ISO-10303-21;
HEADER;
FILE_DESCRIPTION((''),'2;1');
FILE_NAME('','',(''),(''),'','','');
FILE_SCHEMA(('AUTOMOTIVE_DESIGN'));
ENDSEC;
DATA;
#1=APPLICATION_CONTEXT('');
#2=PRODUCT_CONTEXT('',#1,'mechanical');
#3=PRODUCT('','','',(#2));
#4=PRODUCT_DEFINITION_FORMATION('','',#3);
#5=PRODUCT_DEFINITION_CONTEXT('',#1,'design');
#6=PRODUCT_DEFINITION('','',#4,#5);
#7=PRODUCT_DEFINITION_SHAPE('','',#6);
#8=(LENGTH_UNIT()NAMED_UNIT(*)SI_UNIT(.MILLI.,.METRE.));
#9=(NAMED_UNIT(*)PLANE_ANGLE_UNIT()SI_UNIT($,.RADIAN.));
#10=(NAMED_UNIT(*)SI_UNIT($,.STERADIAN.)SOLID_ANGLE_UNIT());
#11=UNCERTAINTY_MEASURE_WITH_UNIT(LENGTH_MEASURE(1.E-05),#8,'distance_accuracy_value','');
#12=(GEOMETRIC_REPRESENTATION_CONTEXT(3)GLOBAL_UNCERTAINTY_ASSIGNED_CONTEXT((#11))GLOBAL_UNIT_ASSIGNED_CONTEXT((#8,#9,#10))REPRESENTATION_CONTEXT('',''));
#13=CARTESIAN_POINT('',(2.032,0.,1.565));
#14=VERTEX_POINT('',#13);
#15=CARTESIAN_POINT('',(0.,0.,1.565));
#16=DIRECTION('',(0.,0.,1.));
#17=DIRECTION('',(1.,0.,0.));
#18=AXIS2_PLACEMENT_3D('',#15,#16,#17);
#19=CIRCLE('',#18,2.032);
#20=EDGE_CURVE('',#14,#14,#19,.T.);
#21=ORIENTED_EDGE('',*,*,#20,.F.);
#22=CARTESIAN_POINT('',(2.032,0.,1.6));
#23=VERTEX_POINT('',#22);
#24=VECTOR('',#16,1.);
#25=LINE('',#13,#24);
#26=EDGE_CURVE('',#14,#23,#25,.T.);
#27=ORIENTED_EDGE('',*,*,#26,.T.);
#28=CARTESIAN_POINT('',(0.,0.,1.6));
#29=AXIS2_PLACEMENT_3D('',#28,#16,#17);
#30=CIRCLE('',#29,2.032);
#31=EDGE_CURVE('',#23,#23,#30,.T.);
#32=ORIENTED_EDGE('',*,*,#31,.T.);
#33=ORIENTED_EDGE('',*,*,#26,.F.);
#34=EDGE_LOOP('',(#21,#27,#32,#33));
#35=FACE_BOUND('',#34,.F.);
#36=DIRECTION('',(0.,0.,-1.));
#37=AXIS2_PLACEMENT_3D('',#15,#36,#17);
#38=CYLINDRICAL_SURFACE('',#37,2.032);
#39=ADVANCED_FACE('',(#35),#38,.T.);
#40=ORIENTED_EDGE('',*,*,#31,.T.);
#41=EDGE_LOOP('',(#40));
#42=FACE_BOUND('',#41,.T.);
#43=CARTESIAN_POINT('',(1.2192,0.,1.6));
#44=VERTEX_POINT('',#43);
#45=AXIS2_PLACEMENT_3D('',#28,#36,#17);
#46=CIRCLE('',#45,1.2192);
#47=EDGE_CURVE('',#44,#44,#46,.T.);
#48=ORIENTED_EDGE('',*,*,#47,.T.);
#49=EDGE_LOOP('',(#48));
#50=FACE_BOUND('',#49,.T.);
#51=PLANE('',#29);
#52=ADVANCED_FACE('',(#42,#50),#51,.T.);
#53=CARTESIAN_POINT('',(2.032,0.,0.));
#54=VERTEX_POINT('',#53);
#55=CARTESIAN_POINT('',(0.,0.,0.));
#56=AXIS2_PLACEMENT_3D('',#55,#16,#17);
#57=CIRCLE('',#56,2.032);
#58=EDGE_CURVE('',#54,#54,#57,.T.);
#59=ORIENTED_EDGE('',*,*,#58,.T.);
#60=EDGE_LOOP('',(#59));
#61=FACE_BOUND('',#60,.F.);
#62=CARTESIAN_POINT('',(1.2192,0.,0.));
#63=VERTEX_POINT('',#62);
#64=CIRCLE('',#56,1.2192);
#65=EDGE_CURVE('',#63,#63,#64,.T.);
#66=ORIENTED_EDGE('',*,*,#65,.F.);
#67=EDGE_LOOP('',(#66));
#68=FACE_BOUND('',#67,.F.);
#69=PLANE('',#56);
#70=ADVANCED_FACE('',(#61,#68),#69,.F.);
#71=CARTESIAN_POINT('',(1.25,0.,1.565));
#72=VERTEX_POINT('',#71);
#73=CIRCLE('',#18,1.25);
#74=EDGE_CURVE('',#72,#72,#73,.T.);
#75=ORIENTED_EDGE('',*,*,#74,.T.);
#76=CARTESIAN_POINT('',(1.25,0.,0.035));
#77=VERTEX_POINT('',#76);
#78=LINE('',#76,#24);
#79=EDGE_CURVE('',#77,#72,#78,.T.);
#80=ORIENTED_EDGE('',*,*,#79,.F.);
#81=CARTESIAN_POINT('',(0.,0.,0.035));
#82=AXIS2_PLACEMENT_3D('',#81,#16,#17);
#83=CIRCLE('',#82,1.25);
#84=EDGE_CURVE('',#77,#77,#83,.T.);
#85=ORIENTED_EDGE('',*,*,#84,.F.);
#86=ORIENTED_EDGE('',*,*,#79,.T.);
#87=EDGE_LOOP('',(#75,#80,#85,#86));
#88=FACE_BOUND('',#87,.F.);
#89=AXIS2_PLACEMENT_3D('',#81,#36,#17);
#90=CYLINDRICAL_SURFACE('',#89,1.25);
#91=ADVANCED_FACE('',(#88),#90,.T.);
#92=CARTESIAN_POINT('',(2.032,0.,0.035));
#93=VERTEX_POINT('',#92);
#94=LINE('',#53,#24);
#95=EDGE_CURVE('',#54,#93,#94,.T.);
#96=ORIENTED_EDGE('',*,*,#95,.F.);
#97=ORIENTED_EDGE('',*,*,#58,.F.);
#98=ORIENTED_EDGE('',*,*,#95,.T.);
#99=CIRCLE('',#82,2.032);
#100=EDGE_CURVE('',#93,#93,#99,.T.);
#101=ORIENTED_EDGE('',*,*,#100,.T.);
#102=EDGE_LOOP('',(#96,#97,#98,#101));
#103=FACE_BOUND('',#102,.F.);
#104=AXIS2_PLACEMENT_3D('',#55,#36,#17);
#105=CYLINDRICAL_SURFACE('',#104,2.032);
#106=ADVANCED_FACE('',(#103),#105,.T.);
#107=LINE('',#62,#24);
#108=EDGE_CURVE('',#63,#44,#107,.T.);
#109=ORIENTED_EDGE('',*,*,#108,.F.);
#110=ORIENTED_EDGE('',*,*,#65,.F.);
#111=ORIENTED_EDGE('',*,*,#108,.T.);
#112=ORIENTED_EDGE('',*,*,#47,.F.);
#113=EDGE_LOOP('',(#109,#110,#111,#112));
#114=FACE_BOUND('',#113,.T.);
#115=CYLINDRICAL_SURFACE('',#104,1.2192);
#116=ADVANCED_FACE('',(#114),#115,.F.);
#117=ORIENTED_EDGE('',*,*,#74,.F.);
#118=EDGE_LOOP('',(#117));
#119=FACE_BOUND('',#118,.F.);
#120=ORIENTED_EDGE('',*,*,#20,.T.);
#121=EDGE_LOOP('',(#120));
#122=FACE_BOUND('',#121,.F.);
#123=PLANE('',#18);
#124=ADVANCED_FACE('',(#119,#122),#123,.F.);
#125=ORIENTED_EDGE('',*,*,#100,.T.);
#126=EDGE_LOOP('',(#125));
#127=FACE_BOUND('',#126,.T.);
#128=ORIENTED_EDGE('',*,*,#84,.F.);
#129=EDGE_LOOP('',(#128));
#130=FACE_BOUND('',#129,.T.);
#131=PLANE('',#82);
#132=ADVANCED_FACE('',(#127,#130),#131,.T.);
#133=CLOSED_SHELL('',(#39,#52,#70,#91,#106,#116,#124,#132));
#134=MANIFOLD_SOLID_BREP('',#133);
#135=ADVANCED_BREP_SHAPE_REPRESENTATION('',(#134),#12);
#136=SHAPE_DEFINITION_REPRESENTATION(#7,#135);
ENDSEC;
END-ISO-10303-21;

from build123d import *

# Parameters (mm, degrees)
F0_R     = 2.032
F1_DEPTH = 0.035
F2_R     = 1.25
F3_DEPTH = 1.53
F4_R     = 2.032
F5_DEPTH = 0.035
F6_R     = 1.2192
F7_DEPTH = 1.601


with BuildPart() as f1:
    # F0 (on Top) → F1 (new body)
    with BuildSketch(Plane.XY):
        Circle(F0_R)
    extrude(amount=F1_DEPTH)

    # F2 (on face) → F3 (join)
    with BuildSketch(Plane.XY.offset(0.035)):
        Circle(F2_R)
    extrude(amount=F3_DEPTH)

    # F4 (on face) → F5 (join)
    with BuildSketch(Plane.XY.offset(1.565)):
        Circle(F4_R)
    extrude(amount=F5_DEPTH)

    # F6 (on Top) → F7 (cut, through all)
    with BuildSketch(Plane.XY):
        Circle(F6_R)
    extrude(amount=F7_DEPTH, mode=Mode.SUBTRACT)


solid = f1.part
